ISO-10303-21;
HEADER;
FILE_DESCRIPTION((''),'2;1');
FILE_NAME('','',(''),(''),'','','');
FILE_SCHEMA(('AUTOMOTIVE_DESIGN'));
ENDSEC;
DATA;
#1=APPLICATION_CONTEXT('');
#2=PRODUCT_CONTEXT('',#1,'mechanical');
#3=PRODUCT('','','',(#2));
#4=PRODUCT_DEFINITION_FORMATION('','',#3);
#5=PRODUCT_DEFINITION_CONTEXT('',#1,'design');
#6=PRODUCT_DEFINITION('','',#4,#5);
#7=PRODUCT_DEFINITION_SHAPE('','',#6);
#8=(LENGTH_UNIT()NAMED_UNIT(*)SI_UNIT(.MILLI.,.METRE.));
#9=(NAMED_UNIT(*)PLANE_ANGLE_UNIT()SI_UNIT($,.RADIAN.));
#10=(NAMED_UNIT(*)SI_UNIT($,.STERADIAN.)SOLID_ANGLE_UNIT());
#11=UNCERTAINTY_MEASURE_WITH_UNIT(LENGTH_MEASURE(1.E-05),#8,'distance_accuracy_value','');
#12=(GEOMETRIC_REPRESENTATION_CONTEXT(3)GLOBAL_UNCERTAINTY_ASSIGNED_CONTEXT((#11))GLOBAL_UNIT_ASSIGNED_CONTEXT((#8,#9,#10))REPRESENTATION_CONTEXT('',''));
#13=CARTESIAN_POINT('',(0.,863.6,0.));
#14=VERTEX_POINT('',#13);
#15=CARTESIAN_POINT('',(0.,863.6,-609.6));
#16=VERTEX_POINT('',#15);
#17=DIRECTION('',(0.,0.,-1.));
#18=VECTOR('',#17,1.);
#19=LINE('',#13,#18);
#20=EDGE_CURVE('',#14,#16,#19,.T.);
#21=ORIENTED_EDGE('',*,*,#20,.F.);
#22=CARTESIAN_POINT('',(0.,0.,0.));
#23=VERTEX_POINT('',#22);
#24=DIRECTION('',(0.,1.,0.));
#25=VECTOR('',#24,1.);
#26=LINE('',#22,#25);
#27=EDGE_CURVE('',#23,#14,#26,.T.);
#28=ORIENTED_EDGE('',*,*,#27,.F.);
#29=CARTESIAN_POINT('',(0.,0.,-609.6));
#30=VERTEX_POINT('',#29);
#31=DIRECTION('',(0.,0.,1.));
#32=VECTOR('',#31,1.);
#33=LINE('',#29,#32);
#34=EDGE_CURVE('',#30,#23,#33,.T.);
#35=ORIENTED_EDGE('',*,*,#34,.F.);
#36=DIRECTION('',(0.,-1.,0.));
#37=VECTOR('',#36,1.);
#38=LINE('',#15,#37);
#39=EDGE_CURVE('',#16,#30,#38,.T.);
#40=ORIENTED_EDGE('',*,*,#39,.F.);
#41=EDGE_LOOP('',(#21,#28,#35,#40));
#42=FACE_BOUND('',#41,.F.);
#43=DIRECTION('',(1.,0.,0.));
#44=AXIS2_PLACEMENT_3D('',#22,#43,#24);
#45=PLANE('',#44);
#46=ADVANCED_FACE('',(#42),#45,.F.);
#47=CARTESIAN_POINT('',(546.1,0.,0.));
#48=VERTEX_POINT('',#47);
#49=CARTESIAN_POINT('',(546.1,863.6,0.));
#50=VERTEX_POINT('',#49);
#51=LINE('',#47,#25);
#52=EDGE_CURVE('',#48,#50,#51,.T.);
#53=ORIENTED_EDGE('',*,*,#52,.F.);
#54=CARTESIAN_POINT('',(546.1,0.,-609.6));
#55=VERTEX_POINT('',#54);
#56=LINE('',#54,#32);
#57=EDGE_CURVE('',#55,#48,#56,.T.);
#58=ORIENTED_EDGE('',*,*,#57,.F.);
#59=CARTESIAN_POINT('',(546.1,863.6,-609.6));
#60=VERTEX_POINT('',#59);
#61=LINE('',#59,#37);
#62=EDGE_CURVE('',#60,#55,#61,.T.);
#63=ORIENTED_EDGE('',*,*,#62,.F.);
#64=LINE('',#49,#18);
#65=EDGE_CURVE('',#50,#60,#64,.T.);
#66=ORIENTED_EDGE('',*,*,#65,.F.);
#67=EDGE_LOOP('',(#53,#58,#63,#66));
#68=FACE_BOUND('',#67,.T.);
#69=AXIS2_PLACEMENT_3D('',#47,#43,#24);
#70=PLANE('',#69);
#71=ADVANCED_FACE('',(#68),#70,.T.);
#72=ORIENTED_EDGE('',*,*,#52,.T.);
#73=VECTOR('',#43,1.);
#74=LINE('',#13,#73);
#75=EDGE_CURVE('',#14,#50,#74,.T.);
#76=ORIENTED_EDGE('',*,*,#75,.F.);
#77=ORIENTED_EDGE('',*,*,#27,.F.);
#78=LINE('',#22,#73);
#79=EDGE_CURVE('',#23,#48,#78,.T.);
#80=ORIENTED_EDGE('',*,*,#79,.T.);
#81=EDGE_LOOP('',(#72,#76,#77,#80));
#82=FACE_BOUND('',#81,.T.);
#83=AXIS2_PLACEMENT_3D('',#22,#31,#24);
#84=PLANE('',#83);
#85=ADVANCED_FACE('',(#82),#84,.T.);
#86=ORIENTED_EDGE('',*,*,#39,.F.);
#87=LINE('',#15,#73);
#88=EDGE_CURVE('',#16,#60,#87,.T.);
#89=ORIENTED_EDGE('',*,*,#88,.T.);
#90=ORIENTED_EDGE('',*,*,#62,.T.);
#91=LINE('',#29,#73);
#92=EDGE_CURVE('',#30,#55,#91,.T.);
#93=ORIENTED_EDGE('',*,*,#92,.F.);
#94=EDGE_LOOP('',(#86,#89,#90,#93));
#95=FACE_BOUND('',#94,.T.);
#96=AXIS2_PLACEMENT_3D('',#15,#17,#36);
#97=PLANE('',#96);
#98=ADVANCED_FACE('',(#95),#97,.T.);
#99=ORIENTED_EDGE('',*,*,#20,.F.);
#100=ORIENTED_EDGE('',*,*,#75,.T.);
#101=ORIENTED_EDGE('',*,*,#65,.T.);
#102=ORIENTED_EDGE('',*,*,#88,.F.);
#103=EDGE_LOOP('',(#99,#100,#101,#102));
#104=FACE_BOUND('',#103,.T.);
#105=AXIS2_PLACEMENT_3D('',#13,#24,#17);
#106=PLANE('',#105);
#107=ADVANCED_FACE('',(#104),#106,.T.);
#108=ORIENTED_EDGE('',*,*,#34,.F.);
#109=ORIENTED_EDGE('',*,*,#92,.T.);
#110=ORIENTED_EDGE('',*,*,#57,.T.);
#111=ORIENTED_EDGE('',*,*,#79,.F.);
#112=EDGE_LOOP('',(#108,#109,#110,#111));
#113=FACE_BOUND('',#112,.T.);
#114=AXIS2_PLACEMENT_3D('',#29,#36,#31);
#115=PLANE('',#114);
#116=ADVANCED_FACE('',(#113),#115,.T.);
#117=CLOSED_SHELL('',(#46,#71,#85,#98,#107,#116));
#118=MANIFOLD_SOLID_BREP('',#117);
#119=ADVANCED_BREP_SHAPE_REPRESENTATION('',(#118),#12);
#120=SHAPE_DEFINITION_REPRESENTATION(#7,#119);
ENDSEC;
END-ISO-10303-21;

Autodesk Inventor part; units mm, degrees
ref_plane "YZ Plane" through (0, 0, 0) normal (1, 0, 0) x (0, 1, 0)
ref_plane "XZ Plane" through (0, 0, 0) normal (0, 1, 0) x (-1, 0, 0)
ref_plane "XY Plane" through (0, 0, 0) normal (0, 0, 1) x (1, 0, 0)
sketch "Sketch1" plane through (0, 0, 0) normal (1, 0, 0) x (0, 1, 0)
  line L0 (0, 0) -> (863.6, 0)
  line L1 (863.6, 0) -> (863.6, -609.6)
  line L2 (863.6, -609.6) -> (0, -609.6)
  line L3 (0, -609.6) -> (0, 0)
  dimension "d1" = 863.6
  dimension "d2" = 609.6
extrude "Extrusion1" add sketch "Sketch1" along normal blind 546.1
properties part number "Laundry_Sink" material "Steel"
